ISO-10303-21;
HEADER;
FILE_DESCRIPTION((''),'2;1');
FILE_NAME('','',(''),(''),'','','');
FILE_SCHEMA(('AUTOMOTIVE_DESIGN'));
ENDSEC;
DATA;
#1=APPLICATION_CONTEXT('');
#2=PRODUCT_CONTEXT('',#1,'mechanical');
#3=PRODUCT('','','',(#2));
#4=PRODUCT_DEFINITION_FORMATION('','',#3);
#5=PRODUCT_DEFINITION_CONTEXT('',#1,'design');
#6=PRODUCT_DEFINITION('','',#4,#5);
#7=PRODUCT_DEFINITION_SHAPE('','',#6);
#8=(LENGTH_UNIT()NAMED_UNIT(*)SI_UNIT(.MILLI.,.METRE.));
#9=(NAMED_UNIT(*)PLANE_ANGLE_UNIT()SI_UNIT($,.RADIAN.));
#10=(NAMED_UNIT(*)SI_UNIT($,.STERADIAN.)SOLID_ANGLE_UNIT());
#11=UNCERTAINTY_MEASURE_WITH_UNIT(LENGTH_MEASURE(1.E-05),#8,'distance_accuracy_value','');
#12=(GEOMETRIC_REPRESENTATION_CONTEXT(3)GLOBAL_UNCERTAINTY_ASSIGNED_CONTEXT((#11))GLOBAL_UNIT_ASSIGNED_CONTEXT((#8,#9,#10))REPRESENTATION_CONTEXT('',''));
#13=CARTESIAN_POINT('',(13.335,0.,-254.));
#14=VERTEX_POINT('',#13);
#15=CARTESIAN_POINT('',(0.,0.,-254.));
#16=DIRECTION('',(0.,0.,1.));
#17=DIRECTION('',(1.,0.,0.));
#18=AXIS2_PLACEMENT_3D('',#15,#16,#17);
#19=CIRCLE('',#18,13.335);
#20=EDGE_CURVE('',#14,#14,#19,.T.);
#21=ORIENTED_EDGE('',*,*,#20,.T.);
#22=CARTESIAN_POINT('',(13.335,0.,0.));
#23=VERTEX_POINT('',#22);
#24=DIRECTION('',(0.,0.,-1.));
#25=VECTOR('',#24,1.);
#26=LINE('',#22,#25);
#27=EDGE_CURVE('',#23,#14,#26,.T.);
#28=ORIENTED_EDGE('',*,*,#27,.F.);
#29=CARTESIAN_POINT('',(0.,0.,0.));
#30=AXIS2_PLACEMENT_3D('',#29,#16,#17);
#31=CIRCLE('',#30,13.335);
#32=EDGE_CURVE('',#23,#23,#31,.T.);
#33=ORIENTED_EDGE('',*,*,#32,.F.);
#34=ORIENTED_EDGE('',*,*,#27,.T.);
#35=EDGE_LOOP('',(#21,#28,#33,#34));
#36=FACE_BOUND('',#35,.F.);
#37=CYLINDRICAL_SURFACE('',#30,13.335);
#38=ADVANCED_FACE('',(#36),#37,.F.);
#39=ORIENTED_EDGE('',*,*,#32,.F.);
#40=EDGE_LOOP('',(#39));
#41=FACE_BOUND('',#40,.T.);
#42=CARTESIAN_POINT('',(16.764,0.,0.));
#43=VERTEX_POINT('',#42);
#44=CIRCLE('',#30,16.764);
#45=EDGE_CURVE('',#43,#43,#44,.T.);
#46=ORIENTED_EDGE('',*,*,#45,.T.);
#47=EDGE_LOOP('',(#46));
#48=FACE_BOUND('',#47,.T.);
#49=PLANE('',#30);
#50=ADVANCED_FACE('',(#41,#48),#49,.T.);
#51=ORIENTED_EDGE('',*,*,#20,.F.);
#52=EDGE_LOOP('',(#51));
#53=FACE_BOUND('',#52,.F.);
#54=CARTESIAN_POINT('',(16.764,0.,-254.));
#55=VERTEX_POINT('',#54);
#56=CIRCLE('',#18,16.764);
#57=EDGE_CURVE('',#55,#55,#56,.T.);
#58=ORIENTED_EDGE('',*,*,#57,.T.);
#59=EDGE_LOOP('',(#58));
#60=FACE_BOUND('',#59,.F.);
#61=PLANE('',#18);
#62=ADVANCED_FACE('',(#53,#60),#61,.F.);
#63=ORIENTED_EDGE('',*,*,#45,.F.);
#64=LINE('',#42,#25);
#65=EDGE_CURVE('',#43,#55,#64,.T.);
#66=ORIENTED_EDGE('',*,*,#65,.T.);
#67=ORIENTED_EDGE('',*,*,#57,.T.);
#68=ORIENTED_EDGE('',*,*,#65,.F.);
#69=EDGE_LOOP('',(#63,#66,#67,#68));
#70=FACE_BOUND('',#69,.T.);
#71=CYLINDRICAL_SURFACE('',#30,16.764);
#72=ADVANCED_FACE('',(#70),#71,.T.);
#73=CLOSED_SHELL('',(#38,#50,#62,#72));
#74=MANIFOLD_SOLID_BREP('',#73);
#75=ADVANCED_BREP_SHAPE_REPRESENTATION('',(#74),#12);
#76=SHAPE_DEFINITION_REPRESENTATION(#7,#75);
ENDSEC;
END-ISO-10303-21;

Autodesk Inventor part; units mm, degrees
ref_plane "YZ Plane" through (0, 0, 0) normal (1, 0, 0) x (0, 1, 0)
ref_plane "XZ Plane" through (0, 0, 0) normal (0, 1, 0) x (-1, 0, 0)
ref_plane "XY Plane" through (0, 0, 0) normal (0, 0, 1) x (1, 0, 0)
sketch "Sketch1" plane through (0, 0, 0) normal (0, 0, 1) x (1, 0, 0)
  circle A0 centre (0, 0) radius 13.335
  circle A1 centre (0, 0) radius 16.764
  dimension "d0" = 33.528
  dimension "d2" = 26.67
extrude "Extrusion1" add sketch "Sketch1" against normal blind 254
properties part number "GE-13020-05" material "Steel"
